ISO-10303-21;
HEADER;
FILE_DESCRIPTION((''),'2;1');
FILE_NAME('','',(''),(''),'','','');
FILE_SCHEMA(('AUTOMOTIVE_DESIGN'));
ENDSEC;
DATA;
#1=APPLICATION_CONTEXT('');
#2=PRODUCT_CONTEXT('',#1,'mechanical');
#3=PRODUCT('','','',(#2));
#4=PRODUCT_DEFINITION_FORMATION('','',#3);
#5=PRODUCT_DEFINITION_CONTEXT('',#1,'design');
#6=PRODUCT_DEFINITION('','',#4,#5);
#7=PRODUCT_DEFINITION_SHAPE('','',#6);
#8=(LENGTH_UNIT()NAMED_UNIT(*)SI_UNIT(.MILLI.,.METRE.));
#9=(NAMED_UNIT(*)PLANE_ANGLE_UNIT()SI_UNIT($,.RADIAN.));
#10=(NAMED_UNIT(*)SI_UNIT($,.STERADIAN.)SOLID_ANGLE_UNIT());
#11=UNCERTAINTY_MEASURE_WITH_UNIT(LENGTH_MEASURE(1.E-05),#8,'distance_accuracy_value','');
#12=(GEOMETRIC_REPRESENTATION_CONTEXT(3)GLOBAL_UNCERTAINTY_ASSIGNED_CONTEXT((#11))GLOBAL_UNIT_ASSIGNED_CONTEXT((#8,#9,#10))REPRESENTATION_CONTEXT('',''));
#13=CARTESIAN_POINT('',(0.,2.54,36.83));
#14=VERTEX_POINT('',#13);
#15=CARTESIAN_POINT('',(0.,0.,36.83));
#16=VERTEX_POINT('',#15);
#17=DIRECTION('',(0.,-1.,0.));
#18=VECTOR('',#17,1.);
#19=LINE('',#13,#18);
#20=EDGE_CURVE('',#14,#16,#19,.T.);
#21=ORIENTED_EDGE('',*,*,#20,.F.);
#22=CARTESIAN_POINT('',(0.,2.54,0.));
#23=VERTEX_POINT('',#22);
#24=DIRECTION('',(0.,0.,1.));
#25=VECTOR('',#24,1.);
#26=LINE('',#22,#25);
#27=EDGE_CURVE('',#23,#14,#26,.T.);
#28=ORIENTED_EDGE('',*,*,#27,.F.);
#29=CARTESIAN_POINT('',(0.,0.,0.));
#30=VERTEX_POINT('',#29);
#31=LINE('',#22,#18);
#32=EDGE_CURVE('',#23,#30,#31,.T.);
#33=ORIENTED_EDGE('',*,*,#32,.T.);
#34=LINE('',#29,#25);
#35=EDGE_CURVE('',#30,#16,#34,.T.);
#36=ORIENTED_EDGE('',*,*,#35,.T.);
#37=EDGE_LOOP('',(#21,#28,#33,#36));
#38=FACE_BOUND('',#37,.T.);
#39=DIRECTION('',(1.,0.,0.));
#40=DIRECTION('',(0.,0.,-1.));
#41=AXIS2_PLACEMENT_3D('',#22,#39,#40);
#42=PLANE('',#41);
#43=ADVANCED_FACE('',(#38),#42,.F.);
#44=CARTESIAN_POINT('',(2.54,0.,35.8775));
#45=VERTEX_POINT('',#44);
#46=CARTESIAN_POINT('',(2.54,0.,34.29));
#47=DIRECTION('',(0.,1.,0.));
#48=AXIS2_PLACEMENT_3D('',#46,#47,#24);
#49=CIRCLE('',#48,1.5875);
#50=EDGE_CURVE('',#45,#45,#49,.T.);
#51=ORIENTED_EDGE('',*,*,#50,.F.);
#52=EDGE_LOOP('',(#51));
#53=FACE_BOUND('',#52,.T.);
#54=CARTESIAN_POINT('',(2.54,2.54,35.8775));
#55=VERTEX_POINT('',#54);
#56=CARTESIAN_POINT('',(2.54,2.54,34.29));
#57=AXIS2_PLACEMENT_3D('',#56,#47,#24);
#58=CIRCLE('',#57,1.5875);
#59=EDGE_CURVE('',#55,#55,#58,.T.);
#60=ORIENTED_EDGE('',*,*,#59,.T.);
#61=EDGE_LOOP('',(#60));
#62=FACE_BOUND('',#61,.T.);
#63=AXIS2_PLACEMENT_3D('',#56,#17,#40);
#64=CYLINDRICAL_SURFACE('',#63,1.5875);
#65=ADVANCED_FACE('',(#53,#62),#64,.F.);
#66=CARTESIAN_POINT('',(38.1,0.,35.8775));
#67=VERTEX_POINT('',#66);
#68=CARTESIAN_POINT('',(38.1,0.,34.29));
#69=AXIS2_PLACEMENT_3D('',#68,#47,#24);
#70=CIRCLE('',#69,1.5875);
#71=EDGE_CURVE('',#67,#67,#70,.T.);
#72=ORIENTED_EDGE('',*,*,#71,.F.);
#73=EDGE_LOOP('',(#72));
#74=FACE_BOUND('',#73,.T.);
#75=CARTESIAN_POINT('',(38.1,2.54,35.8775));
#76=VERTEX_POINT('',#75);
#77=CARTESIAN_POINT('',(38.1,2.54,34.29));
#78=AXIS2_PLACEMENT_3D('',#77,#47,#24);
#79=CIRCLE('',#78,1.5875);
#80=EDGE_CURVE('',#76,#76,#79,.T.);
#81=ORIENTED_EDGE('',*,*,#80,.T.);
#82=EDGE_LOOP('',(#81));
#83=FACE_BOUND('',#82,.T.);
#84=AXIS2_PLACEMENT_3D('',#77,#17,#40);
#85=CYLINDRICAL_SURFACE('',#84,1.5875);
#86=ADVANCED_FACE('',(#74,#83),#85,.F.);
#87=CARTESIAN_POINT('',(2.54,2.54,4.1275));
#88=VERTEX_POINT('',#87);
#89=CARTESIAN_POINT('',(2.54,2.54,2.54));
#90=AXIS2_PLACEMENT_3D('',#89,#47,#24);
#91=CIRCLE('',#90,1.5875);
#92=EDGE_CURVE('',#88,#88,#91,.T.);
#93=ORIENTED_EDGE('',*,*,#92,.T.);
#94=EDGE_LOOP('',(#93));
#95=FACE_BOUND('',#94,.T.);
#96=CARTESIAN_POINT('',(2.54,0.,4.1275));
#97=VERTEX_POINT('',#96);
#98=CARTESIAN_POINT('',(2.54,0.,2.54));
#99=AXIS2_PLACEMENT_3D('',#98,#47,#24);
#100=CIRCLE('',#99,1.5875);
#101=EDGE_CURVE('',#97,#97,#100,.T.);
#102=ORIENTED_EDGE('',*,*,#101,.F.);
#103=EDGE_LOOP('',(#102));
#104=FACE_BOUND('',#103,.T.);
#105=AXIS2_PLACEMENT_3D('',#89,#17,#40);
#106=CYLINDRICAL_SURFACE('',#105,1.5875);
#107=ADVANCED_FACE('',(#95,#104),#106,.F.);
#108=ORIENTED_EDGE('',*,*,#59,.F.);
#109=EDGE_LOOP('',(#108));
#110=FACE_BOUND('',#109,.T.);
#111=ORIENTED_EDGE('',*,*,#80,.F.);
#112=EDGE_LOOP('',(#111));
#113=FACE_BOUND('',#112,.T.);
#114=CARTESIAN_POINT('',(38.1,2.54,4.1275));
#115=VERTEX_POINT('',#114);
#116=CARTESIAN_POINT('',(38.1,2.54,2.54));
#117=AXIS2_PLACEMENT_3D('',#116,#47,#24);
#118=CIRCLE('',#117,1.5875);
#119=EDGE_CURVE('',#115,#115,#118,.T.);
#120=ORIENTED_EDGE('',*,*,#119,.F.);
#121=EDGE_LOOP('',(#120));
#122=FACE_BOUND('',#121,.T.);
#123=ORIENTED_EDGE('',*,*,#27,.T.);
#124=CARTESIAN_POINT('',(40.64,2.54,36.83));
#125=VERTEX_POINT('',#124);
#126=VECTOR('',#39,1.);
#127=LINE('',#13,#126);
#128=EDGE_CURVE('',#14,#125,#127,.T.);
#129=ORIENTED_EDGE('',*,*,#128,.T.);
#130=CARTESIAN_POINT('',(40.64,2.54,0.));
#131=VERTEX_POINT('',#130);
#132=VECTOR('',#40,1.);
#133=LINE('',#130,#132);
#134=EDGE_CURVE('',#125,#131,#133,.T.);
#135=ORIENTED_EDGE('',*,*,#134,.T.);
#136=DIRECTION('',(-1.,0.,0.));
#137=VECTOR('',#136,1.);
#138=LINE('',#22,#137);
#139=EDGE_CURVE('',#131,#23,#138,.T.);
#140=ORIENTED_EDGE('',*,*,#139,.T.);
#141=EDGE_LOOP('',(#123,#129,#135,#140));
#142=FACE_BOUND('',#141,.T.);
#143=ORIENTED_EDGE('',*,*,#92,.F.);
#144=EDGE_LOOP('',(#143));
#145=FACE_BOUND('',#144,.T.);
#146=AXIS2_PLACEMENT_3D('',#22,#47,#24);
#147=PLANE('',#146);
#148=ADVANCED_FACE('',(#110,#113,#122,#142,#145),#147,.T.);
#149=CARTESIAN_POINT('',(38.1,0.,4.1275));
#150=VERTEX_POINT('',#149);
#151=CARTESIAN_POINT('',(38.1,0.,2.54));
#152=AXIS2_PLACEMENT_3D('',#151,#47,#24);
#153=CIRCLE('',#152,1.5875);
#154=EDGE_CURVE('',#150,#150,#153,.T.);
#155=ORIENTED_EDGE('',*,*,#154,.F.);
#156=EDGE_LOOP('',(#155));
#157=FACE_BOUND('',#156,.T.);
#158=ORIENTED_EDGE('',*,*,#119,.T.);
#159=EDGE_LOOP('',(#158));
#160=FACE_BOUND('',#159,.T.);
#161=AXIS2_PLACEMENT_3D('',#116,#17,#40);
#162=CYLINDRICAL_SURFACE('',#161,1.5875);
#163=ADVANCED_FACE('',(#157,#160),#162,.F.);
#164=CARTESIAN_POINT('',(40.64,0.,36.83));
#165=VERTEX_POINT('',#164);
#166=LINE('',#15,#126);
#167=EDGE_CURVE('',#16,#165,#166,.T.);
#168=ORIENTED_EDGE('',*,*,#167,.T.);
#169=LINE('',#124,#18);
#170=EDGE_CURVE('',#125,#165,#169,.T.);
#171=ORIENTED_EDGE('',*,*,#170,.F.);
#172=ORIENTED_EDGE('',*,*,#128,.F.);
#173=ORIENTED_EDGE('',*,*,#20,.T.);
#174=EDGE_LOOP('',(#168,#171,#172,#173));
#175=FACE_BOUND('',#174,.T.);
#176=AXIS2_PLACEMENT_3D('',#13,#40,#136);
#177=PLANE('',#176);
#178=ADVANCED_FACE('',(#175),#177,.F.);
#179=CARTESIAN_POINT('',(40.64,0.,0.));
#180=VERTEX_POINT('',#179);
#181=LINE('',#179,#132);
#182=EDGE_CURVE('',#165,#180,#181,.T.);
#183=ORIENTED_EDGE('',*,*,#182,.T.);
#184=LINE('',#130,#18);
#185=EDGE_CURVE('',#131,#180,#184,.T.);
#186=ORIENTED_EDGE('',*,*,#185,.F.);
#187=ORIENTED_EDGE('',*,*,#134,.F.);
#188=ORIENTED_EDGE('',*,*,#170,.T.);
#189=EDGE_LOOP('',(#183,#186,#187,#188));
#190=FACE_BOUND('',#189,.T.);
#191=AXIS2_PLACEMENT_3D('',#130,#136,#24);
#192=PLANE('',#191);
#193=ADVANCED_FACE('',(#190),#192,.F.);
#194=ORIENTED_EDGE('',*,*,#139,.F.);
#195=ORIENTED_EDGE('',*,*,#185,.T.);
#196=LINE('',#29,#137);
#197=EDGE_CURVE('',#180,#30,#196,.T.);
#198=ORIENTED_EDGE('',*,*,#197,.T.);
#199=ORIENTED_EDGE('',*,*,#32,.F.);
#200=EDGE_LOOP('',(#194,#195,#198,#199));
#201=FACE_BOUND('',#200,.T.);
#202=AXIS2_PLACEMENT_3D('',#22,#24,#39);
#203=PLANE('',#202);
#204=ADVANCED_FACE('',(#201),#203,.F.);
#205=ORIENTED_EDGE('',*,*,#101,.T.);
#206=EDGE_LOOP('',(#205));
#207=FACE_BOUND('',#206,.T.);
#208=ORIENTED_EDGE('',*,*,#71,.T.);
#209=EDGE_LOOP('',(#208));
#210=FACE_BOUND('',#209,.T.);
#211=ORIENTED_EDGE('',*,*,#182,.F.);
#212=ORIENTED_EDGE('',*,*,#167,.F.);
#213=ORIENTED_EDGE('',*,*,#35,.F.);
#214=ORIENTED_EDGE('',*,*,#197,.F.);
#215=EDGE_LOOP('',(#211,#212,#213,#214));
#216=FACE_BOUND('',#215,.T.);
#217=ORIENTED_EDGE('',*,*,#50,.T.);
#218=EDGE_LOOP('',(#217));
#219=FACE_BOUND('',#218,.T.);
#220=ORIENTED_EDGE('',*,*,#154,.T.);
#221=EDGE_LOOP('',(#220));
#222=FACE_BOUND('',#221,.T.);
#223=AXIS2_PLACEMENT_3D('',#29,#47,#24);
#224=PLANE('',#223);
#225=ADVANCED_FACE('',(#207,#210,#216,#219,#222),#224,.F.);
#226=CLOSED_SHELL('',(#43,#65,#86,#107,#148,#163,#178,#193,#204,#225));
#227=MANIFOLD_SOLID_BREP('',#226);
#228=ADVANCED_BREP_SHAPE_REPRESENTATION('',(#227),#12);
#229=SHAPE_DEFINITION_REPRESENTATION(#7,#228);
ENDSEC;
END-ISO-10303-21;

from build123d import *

# Parameters (mm, degrees)
SKETCH1_W           = 40.64
SKETCH1_H           = 36.83
SKETCH1_R           = 1.5875
BOSS_EXTRUDE1_DEPTH = 2.54


with BuildPart() as part:
    # Sketch1 → Boss-Extrude1 (new body)
    with BuildSketch(Plane(origin=(0, 0, 0), x_dir=(1, 0, 0), z_dir=(0, 1, 0))):
        with Locations((20.32, -18.415)):
            Rectangle(SKETCH1_W, SKETCH1_H)
        with Locations(Location((2.54, -2.54, 0), (0, 0, 270))):
            Circle(SKETCH1_R, mode=Mode.SUBTRACT)
        with Locations(Location((2.54, -34.29, 0), (0, 0, 270))):
            Circle(SKETCH1_R, mode=Mode.SUBTRACT)
        with Locations(Location((38.1, -2.54, 0), (0, 0, 270))):
            Circle(SKETCH1_R, mode=Mode.SUBTRACT)
        with Locations(Location((38.1, -34.29, 0), (0, 0, 270))):
            Circle(SKETCH1_R, mode=Mode.SUBTRACT)
    extrude(amount=BOSS_EXTRUDE1_DEPTH)


solid = part.part
